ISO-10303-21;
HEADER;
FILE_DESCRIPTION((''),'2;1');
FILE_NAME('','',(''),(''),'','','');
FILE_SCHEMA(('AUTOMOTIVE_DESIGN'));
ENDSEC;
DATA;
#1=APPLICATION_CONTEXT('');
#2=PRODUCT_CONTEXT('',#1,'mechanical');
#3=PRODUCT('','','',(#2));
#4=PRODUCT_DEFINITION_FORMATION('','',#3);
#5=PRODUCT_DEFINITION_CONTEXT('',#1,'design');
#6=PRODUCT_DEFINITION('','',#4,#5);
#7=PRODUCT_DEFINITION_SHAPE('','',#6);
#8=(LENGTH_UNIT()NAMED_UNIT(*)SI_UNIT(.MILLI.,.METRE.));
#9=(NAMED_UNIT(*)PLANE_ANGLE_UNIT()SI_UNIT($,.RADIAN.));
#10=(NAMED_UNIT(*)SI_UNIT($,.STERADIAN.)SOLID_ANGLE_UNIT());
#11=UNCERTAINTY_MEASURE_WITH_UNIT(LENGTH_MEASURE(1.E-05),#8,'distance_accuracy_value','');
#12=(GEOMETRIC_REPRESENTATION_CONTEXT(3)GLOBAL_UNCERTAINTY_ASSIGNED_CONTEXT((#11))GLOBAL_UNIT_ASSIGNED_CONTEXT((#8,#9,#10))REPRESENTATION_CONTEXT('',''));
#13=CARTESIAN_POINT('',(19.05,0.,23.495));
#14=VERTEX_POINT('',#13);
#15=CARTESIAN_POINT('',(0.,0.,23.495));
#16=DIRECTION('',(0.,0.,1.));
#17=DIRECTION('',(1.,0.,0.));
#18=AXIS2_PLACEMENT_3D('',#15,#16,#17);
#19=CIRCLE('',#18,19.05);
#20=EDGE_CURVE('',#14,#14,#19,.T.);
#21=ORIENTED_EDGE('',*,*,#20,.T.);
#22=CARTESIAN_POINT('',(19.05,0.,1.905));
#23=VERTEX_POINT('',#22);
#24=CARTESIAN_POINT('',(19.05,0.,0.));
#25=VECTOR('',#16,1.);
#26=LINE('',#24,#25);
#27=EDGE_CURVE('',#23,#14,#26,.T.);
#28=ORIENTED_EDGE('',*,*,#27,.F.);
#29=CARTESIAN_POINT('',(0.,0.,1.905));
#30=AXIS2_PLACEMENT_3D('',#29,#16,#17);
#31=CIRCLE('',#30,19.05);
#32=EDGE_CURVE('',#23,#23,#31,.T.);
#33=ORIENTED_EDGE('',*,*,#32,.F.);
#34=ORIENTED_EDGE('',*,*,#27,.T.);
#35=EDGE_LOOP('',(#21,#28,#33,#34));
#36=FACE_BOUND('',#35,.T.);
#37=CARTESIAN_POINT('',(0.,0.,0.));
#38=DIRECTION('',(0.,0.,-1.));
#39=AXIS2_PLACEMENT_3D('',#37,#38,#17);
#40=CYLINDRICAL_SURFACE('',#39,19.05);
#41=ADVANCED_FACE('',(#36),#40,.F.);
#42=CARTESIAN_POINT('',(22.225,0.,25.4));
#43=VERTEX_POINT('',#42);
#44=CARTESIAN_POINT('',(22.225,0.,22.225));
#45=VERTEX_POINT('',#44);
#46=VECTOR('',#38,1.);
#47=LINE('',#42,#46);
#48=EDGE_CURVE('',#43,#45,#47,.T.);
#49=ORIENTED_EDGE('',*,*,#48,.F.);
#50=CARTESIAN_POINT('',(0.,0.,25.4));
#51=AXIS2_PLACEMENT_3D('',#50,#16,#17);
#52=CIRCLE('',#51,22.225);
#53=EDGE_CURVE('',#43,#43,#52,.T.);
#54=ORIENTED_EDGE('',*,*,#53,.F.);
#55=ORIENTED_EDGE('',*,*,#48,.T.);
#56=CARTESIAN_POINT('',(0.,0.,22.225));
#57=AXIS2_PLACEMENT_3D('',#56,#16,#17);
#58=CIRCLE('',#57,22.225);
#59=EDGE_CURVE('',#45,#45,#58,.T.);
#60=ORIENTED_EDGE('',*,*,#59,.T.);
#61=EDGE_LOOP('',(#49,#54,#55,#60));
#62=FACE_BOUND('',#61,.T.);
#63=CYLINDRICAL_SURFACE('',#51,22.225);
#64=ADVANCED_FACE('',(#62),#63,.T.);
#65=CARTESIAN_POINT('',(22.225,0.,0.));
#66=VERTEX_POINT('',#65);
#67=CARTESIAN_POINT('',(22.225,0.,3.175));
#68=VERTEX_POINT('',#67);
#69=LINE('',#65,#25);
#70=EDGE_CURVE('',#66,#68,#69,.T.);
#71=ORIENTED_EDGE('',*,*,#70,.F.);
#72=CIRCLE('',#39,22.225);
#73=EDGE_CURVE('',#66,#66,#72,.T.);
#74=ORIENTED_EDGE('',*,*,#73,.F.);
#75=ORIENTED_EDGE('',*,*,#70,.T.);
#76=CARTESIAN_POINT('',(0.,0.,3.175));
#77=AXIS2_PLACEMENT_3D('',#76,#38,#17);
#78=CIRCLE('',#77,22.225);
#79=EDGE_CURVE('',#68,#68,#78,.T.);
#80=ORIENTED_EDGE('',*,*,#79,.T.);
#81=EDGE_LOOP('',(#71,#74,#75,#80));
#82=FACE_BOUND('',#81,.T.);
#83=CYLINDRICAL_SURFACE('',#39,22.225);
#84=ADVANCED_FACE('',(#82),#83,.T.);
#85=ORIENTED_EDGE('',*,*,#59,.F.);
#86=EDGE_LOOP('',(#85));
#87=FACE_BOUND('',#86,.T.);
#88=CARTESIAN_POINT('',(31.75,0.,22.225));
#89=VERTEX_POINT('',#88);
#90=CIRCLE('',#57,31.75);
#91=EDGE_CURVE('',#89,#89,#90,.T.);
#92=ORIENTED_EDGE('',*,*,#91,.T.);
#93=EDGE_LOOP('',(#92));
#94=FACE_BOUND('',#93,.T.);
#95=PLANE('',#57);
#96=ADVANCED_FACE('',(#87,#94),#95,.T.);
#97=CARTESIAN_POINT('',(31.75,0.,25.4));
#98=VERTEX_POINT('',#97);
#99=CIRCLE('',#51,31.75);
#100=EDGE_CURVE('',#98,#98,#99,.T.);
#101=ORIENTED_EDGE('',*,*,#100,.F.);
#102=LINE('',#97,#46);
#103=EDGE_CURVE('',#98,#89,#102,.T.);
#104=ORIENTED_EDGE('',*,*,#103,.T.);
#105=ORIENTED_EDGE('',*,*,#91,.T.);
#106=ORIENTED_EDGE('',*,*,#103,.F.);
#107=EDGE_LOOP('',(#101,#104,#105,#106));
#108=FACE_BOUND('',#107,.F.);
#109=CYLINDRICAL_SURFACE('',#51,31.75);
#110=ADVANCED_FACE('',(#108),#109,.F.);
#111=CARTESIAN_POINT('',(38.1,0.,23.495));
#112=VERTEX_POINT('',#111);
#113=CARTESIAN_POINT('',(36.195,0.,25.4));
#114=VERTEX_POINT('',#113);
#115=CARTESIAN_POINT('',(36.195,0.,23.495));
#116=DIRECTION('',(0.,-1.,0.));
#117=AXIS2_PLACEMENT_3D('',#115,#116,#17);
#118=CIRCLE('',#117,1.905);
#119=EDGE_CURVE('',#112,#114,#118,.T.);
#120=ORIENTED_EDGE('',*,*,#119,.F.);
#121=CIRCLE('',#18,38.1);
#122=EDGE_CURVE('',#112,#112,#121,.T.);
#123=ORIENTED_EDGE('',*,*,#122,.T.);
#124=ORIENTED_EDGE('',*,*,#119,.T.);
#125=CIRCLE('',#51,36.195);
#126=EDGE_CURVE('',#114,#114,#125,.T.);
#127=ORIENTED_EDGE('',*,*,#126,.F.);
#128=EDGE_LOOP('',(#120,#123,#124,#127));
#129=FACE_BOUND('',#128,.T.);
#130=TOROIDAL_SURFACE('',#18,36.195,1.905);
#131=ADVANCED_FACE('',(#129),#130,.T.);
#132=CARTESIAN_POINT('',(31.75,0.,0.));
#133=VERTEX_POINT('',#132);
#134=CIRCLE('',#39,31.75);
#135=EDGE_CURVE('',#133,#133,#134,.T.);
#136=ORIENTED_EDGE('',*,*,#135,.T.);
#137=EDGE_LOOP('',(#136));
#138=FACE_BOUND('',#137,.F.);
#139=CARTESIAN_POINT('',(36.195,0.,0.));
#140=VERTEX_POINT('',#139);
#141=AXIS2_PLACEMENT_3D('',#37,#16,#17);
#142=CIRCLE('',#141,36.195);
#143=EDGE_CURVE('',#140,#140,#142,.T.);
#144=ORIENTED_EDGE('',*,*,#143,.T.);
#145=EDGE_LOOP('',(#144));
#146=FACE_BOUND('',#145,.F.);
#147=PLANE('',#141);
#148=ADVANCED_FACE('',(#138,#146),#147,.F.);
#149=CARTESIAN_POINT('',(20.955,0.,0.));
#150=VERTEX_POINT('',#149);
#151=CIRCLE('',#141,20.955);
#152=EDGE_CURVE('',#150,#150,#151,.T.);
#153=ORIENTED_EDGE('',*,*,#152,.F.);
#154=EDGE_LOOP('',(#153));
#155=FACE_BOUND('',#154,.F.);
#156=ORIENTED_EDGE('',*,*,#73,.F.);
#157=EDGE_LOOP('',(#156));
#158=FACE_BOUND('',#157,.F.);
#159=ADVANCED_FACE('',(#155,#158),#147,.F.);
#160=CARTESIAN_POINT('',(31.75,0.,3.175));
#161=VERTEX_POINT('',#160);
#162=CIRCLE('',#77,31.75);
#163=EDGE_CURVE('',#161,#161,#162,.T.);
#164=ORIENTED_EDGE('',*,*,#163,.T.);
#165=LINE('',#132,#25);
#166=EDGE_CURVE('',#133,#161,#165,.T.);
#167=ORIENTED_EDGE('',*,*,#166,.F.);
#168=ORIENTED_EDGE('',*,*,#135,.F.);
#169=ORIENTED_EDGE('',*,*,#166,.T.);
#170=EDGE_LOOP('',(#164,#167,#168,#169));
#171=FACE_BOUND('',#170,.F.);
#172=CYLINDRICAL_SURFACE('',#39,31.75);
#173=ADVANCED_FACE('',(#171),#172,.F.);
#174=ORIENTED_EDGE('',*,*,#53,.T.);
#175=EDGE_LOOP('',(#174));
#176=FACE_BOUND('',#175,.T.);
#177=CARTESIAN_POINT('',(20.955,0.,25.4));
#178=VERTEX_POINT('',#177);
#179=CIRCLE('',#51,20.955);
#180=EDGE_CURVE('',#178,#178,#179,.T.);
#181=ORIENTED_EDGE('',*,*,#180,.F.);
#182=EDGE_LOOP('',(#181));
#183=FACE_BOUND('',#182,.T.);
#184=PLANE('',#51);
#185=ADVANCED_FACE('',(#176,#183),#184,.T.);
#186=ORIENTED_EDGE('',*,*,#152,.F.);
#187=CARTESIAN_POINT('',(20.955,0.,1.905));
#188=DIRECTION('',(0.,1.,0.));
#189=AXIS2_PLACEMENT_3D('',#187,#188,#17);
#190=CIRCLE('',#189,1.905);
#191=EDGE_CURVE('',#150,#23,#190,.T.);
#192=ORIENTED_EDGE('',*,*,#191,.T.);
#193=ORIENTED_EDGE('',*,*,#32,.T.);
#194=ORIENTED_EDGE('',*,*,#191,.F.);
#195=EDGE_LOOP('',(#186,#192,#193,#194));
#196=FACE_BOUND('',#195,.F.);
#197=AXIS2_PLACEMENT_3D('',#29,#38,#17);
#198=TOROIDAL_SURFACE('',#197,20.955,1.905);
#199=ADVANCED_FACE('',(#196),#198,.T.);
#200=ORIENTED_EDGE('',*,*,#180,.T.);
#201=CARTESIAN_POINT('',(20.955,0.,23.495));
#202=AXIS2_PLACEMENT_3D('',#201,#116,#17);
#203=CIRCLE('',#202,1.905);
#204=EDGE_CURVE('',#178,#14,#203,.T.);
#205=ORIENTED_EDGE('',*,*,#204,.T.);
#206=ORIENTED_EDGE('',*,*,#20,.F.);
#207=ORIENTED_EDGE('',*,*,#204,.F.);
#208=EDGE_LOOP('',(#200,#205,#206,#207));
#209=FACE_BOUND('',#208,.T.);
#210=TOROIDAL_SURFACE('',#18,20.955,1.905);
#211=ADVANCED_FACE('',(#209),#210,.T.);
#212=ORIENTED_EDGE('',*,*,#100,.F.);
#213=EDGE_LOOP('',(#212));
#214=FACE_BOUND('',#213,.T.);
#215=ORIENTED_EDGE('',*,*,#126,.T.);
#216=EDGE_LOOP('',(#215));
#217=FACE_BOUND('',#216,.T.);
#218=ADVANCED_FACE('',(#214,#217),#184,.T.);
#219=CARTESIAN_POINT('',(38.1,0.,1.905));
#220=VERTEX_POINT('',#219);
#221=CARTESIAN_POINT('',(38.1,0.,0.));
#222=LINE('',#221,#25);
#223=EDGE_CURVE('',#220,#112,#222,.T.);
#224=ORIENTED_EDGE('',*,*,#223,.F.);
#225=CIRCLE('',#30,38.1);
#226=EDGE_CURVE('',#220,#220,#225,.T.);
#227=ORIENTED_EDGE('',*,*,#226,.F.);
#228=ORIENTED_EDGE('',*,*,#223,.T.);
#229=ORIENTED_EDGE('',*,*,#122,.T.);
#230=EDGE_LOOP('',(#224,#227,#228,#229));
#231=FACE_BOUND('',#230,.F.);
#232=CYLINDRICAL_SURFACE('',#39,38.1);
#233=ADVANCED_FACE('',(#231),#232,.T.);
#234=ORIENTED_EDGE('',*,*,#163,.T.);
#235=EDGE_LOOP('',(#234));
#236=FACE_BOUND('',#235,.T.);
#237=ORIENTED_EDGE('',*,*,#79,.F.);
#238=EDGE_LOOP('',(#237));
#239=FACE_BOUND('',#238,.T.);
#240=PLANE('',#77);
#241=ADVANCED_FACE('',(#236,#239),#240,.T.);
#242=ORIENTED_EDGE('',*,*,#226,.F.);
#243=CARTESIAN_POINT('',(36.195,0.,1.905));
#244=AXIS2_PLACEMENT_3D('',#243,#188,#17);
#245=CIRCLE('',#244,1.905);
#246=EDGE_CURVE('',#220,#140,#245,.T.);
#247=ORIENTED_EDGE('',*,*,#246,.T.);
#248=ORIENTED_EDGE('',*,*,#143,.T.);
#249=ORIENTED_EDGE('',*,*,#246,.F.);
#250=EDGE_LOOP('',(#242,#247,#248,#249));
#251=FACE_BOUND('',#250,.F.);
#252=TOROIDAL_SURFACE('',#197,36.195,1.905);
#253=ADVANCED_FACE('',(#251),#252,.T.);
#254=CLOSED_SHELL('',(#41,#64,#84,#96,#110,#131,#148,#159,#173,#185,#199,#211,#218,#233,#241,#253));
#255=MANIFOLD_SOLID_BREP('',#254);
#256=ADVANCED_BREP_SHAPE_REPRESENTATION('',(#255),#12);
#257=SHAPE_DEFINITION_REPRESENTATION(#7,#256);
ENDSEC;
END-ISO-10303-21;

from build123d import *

# Parameters (mm, degrees)
F0_R     = 38.1
F0_R_2   = 19.05
F1_DEPTH = 25.4
F2_R     = 31.75
F2_R_2   = 22.225
F3_DEPTH = 3.175
F4_R     = 31.75
F4_R_2   = 22.225
F5_DEPTH = 3.175
F6_R     = 1.905


with BuildPart() as f1:
    # F0 (on Top) → F1 (new body)
    with BuildSketch(Plane.XY):
        Circle(F0_R)
        Circle(F0_R_2, mode=Mode.SUBTRACT)
    extrude(amount=F1_DEPTH)

    # F2 (on face) → F3 (cut)
    with BuildSketch(Plane(origin=(0, 0, 0), x_dir=(1, 0, 0), z_dir=(0, 0, -1))):
        Circle(F2_R)
        Circle(F2_R_2, mode=Mode.SUBTRACT)
    extrude(amount=-F3_DEPTH, mode=Mode.SUBTRACT)

    # F4 (on face) → F5 (cut)
    with BuildSketch(Plane.XY.offset(25.4)):
        Circle(F4_R)
        Circle(F4_R_2, mode=Mode.SUBTRACT)
    extrude(amount=-F5_DEPTH, mode=Mode.SUBTRACT)

    # F6
    f6_edges = [f1.edges().sort_by_distance(p)[0] for p in [
        (-38.1, 0, 0),
        (-38.1, 0, 25.4),
        (-19.05, 0, 0),
        (-19.05, 0, 25.4),
    ]]
    fillet(f6_edges, radius=F6_R)


solid = f1.part
